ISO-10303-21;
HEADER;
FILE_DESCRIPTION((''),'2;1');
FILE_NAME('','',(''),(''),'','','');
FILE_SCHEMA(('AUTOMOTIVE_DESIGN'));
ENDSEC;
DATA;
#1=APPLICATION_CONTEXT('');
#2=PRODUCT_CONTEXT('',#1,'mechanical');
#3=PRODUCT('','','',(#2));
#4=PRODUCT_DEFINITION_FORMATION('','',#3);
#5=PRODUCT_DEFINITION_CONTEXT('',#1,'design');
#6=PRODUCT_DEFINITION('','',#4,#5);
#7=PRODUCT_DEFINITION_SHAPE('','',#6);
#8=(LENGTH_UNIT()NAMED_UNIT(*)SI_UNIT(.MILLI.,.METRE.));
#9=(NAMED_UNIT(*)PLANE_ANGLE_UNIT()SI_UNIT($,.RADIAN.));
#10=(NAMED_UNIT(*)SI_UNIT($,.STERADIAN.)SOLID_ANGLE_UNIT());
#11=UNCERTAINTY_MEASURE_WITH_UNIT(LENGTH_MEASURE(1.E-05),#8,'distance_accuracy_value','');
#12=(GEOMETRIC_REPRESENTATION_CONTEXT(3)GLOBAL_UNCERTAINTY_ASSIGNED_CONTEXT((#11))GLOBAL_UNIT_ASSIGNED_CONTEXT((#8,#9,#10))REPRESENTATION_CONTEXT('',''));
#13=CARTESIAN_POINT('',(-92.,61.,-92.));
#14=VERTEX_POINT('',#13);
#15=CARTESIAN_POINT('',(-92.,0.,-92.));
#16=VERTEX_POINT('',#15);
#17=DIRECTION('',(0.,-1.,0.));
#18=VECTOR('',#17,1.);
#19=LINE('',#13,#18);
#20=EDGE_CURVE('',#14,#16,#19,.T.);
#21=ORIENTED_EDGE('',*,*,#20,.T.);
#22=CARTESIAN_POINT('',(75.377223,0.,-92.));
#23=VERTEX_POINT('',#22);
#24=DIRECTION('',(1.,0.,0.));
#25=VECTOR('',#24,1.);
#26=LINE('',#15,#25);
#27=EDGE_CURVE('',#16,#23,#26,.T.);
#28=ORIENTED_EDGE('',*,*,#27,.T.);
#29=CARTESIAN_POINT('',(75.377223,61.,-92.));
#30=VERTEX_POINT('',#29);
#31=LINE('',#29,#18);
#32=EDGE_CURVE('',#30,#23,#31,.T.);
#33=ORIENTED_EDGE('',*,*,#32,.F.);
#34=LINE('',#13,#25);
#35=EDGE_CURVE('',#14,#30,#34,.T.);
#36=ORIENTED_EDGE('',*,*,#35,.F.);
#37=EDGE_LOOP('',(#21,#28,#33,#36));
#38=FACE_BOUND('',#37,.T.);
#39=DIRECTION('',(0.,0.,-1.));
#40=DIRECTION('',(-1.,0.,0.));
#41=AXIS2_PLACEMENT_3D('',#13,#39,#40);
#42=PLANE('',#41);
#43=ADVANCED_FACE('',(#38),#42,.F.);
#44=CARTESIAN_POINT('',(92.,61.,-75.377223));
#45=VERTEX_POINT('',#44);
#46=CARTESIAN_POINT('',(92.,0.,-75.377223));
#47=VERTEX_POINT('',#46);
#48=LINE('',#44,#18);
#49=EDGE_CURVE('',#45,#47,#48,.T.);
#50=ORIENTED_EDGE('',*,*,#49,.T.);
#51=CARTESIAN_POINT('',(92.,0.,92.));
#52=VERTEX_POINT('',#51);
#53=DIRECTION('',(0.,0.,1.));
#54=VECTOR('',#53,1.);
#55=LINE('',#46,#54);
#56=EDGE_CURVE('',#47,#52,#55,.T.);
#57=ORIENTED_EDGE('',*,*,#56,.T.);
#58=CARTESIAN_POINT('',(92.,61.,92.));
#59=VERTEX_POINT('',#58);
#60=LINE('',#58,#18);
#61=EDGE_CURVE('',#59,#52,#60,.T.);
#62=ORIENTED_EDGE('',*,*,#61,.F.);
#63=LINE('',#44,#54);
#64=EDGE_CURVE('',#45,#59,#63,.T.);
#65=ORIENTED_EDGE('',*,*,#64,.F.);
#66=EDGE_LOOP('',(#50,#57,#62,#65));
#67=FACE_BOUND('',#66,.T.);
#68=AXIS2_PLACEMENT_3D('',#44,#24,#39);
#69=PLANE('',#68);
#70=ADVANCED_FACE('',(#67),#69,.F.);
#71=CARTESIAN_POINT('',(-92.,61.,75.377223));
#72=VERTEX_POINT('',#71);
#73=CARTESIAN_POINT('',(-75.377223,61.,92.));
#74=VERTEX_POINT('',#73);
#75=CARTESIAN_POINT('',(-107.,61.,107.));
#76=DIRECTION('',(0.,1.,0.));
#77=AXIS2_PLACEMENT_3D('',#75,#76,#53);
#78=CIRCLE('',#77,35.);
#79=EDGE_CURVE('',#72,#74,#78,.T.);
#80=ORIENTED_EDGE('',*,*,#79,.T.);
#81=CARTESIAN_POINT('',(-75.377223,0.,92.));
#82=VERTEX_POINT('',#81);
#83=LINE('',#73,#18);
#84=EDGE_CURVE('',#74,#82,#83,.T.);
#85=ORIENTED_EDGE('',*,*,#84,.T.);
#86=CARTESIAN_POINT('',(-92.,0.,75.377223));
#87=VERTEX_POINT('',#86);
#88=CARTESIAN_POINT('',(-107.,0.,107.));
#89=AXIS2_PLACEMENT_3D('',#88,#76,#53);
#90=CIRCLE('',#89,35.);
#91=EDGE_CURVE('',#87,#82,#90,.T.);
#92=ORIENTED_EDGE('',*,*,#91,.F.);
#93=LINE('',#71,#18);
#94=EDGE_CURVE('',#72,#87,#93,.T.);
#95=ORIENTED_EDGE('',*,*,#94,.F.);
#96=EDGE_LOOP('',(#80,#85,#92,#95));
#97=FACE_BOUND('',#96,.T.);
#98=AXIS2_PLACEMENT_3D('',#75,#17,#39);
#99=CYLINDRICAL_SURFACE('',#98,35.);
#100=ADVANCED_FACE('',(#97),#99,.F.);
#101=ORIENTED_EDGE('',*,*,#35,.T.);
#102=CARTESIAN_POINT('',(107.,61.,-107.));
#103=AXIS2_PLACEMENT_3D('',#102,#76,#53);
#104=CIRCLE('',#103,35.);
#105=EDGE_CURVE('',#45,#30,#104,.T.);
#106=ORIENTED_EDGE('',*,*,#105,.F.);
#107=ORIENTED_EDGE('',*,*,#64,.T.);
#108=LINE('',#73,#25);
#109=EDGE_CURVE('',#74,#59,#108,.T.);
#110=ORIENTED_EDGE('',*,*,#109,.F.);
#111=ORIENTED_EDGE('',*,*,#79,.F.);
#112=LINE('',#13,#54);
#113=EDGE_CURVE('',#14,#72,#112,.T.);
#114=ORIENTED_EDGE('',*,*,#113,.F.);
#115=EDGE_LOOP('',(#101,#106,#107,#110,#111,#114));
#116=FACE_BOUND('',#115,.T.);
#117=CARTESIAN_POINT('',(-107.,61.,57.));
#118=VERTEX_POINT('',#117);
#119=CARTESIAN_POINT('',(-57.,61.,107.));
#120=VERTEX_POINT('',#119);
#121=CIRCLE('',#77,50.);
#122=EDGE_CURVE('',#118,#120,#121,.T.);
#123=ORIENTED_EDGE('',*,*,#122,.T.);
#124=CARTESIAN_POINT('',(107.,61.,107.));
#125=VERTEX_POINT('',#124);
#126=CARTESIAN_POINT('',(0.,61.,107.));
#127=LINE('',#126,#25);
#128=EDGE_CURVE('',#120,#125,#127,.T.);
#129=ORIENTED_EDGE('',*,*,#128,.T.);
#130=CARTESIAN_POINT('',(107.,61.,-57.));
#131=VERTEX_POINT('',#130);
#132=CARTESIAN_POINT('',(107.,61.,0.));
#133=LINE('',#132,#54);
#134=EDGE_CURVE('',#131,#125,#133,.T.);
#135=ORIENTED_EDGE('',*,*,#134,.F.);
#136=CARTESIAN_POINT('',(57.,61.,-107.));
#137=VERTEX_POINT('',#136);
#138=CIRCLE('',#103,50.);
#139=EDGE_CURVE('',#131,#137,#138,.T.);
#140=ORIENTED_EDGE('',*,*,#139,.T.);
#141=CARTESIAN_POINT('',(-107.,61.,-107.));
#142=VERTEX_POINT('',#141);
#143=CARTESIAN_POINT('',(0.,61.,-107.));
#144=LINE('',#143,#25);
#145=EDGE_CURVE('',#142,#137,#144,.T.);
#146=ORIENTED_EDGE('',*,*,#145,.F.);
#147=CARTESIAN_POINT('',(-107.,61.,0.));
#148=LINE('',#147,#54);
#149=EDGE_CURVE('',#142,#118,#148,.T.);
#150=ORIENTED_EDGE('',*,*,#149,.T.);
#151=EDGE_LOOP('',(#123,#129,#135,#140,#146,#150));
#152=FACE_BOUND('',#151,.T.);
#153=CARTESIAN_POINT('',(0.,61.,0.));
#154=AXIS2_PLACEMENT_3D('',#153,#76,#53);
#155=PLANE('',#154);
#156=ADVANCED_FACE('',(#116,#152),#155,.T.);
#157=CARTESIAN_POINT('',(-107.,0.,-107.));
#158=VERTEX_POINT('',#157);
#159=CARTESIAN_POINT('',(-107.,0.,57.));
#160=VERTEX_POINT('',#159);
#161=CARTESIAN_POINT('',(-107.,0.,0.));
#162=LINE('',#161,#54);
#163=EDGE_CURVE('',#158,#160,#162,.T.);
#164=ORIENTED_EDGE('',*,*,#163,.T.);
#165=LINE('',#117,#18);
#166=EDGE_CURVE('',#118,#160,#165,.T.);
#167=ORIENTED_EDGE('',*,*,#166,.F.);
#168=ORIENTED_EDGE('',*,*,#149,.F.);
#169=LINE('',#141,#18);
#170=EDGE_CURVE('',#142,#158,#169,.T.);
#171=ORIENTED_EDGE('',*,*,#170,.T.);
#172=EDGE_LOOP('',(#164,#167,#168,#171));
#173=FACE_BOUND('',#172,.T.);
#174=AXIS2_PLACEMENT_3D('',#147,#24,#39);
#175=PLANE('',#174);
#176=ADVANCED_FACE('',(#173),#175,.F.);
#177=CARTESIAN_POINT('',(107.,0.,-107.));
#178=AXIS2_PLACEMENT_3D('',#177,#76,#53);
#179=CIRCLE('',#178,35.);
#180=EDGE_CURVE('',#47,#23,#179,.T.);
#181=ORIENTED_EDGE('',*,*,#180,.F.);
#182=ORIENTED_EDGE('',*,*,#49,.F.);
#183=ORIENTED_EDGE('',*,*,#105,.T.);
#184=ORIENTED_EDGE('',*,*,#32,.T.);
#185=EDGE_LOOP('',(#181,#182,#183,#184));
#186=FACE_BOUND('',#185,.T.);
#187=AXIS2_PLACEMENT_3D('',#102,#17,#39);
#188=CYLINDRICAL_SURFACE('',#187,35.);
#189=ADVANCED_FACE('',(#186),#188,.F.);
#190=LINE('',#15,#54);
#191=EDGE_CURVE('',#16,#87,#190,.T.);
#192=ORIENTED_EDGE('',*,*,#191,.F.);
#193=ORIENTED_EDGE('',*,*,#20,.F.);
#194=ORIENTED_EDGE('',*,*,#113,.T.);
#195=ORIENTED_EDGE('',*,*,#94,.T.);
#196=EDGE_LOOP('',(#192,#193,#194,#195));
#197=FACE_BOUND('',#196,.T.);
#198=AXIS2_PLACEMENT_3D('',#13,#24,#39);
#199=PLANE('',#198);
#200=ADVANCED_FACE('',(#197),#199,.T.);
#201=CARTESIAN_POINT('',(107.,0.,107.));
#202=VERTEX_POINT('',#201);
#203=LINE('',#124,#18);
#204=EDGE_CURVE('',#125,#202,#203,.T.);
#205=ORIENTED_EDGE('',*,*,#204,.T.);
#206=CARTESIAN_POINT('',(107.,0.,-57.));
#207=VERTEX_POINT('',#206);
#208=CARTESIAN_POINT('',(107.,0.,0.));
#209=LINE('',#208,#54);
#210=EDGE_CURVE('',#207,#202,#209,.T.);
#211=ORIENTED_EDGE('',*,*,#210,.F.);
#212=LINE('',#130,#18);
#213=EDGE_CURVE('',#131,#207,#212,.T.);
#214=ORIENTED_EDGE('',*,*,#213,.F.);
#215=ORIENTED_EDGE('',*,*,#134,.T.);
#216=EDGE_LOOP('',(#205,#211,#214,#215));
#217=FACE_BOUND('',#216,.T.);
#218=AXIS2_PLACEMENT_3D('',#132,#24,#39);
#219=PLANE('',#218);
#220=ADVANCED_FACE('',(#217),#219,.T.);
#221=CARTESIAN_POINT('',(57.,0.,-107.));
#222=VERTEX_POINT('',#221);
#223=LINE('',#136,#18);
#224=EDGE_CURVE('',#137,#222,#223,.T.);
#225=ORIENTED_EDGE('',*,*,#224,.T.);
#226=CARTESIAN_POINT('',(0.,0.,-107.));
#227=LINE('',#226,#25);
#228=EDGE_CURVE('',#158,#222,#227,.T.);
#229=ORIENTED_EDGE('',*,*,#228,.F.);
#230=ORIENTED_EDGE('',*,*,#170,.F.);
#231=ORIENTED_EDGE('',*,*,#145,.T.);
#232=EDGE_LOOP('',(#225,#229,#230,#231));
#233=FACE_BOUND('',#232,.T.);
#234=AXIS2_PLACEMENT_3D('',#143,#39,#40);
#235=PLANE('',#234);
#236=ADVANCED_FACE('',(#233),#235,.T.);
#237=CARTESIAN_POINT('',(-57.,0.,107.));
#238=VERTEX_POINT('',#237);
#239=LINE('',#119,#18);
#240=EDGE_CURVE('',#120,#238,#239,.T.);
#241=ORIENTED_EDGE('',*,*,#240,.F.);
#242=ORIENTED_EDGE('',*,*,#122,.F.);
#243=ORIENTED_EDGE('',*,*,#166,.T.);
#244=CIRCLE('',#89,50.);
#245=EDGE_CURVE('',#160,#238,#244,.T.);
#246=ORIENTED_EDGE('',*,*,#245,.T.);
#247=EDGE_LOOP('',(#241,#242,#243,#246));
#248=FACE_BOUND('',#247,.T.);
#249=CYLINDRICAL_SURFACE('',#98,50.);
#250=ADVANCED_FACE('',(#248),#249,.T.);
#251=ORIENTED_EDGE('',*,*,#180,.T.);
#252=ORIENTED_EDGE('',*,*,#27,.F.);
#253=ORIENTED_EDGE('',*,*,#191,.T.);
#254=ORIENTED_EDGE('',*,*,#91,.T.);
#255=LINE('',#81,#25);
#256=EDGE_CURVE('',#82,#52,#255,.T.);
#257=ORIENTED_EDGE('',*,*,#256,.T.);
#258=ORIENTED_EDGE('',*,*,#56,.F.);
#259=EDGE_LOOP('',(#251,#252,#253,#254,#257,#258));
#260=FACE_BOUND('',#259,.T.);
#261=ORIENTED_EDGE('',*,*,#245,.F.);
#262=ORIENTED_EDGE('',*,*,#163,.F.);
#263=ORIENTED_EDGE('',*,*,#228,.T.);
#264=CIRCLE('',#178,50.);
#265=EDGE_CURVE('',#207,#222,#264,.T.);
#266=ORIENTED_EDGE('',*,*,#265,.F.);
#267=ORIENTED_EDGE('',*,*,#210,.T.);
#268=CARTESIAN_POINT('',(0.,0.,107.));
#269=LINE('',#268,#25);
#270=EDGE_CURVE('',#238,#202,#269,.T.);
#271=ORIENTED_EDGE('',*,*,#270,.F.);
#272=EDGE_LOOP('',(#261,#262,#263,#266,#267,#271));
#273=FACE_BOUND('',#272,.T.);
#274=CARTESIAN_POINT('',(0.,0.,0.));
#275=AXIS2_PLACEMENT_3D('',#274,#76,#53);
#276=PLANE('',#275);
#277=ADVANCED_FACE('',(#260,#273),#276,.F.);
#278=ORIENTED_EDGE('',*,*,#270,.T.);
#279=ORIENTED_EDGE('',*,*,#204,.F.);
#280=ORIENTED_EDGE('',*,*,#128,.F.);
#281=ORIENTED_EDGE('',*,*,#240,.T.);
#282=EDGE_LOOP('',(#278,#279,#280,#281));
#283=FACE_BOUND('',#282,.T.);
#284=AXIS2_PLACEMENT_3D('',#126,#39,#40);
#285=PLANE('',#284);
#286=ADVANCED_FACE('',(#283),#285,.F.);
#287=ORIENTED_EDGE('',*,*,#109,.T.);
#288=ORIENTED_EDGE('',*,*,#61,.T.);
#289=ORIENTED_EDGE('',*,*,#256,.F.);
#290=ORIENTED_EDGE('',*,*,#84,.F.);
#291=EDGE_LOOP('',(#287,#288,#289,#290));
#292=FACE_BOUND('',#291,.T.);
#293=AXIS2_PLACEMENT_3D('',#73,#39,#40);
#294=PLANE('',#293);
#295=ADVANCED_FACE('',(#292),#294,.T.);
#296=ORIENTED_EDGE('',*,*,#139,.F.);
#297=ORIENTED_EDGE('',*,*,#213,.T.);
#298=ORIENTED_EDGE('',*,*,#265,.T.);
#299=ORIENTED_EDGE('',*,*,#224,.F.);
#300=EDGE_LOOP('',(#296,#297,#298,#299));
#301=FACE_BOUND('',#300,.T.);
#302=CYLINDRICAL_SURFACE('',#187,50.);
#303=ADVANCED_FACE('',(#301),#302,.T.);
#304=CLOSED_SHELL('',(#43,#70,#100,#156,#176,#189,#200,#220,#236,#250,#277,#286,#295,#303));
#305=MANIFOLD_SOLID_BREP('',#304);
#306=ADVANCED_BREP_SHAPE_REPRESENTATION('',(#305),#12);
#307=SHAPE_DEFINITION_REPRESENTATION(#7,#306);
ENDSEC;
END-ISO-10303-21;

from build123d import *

# Parameters (mm, degrees)
BOSS_EXTRUDE1_DEPTH = 61


with BuildPart() as part:
    # Sketch1 → Boss-Extrude1 (new body)
    with BuildSketch(Plane(origin=(0, 0, 0), x_dir=(1, 0, 0), z_dir=(0, 1, 0))):
        with BuildLine():
            Line((-107, 107), (57, 107))
            ThreePointArc((57, 107), (142.355339059, 142.355339059), (107, 57))
            Line((107, 57), (107, -107))
            Line((107, -107), (-57, -107))
            ThreePointArc((-57, -107), (-142.355339059, -142.355339059), (-107, -57))
            Line((-107, -57), (-107, 107))
        make_face()
        with BuildLine():
            Line((-92, 92), (75.377223398, 92))
            ThreePointArc((75.377223398, 92), (131.748737342, 131.748737342), (92, 75.377223398))
            Line((92, 75.377223398), (92, -92))
            Line((92, -92), (-75.377223398, -92))
            ThreePointArc((-75.377223398, -92), (-131.748737342, -131.748737342), (-92, -75.377223398))
            Line((-92, -75.377223398), (-92, 92))
        make_face(mode=Mode.SUBTRACT)
    extrude(amount=BOSS_EXTRUDE1_DEPTH)


solid = part.part
